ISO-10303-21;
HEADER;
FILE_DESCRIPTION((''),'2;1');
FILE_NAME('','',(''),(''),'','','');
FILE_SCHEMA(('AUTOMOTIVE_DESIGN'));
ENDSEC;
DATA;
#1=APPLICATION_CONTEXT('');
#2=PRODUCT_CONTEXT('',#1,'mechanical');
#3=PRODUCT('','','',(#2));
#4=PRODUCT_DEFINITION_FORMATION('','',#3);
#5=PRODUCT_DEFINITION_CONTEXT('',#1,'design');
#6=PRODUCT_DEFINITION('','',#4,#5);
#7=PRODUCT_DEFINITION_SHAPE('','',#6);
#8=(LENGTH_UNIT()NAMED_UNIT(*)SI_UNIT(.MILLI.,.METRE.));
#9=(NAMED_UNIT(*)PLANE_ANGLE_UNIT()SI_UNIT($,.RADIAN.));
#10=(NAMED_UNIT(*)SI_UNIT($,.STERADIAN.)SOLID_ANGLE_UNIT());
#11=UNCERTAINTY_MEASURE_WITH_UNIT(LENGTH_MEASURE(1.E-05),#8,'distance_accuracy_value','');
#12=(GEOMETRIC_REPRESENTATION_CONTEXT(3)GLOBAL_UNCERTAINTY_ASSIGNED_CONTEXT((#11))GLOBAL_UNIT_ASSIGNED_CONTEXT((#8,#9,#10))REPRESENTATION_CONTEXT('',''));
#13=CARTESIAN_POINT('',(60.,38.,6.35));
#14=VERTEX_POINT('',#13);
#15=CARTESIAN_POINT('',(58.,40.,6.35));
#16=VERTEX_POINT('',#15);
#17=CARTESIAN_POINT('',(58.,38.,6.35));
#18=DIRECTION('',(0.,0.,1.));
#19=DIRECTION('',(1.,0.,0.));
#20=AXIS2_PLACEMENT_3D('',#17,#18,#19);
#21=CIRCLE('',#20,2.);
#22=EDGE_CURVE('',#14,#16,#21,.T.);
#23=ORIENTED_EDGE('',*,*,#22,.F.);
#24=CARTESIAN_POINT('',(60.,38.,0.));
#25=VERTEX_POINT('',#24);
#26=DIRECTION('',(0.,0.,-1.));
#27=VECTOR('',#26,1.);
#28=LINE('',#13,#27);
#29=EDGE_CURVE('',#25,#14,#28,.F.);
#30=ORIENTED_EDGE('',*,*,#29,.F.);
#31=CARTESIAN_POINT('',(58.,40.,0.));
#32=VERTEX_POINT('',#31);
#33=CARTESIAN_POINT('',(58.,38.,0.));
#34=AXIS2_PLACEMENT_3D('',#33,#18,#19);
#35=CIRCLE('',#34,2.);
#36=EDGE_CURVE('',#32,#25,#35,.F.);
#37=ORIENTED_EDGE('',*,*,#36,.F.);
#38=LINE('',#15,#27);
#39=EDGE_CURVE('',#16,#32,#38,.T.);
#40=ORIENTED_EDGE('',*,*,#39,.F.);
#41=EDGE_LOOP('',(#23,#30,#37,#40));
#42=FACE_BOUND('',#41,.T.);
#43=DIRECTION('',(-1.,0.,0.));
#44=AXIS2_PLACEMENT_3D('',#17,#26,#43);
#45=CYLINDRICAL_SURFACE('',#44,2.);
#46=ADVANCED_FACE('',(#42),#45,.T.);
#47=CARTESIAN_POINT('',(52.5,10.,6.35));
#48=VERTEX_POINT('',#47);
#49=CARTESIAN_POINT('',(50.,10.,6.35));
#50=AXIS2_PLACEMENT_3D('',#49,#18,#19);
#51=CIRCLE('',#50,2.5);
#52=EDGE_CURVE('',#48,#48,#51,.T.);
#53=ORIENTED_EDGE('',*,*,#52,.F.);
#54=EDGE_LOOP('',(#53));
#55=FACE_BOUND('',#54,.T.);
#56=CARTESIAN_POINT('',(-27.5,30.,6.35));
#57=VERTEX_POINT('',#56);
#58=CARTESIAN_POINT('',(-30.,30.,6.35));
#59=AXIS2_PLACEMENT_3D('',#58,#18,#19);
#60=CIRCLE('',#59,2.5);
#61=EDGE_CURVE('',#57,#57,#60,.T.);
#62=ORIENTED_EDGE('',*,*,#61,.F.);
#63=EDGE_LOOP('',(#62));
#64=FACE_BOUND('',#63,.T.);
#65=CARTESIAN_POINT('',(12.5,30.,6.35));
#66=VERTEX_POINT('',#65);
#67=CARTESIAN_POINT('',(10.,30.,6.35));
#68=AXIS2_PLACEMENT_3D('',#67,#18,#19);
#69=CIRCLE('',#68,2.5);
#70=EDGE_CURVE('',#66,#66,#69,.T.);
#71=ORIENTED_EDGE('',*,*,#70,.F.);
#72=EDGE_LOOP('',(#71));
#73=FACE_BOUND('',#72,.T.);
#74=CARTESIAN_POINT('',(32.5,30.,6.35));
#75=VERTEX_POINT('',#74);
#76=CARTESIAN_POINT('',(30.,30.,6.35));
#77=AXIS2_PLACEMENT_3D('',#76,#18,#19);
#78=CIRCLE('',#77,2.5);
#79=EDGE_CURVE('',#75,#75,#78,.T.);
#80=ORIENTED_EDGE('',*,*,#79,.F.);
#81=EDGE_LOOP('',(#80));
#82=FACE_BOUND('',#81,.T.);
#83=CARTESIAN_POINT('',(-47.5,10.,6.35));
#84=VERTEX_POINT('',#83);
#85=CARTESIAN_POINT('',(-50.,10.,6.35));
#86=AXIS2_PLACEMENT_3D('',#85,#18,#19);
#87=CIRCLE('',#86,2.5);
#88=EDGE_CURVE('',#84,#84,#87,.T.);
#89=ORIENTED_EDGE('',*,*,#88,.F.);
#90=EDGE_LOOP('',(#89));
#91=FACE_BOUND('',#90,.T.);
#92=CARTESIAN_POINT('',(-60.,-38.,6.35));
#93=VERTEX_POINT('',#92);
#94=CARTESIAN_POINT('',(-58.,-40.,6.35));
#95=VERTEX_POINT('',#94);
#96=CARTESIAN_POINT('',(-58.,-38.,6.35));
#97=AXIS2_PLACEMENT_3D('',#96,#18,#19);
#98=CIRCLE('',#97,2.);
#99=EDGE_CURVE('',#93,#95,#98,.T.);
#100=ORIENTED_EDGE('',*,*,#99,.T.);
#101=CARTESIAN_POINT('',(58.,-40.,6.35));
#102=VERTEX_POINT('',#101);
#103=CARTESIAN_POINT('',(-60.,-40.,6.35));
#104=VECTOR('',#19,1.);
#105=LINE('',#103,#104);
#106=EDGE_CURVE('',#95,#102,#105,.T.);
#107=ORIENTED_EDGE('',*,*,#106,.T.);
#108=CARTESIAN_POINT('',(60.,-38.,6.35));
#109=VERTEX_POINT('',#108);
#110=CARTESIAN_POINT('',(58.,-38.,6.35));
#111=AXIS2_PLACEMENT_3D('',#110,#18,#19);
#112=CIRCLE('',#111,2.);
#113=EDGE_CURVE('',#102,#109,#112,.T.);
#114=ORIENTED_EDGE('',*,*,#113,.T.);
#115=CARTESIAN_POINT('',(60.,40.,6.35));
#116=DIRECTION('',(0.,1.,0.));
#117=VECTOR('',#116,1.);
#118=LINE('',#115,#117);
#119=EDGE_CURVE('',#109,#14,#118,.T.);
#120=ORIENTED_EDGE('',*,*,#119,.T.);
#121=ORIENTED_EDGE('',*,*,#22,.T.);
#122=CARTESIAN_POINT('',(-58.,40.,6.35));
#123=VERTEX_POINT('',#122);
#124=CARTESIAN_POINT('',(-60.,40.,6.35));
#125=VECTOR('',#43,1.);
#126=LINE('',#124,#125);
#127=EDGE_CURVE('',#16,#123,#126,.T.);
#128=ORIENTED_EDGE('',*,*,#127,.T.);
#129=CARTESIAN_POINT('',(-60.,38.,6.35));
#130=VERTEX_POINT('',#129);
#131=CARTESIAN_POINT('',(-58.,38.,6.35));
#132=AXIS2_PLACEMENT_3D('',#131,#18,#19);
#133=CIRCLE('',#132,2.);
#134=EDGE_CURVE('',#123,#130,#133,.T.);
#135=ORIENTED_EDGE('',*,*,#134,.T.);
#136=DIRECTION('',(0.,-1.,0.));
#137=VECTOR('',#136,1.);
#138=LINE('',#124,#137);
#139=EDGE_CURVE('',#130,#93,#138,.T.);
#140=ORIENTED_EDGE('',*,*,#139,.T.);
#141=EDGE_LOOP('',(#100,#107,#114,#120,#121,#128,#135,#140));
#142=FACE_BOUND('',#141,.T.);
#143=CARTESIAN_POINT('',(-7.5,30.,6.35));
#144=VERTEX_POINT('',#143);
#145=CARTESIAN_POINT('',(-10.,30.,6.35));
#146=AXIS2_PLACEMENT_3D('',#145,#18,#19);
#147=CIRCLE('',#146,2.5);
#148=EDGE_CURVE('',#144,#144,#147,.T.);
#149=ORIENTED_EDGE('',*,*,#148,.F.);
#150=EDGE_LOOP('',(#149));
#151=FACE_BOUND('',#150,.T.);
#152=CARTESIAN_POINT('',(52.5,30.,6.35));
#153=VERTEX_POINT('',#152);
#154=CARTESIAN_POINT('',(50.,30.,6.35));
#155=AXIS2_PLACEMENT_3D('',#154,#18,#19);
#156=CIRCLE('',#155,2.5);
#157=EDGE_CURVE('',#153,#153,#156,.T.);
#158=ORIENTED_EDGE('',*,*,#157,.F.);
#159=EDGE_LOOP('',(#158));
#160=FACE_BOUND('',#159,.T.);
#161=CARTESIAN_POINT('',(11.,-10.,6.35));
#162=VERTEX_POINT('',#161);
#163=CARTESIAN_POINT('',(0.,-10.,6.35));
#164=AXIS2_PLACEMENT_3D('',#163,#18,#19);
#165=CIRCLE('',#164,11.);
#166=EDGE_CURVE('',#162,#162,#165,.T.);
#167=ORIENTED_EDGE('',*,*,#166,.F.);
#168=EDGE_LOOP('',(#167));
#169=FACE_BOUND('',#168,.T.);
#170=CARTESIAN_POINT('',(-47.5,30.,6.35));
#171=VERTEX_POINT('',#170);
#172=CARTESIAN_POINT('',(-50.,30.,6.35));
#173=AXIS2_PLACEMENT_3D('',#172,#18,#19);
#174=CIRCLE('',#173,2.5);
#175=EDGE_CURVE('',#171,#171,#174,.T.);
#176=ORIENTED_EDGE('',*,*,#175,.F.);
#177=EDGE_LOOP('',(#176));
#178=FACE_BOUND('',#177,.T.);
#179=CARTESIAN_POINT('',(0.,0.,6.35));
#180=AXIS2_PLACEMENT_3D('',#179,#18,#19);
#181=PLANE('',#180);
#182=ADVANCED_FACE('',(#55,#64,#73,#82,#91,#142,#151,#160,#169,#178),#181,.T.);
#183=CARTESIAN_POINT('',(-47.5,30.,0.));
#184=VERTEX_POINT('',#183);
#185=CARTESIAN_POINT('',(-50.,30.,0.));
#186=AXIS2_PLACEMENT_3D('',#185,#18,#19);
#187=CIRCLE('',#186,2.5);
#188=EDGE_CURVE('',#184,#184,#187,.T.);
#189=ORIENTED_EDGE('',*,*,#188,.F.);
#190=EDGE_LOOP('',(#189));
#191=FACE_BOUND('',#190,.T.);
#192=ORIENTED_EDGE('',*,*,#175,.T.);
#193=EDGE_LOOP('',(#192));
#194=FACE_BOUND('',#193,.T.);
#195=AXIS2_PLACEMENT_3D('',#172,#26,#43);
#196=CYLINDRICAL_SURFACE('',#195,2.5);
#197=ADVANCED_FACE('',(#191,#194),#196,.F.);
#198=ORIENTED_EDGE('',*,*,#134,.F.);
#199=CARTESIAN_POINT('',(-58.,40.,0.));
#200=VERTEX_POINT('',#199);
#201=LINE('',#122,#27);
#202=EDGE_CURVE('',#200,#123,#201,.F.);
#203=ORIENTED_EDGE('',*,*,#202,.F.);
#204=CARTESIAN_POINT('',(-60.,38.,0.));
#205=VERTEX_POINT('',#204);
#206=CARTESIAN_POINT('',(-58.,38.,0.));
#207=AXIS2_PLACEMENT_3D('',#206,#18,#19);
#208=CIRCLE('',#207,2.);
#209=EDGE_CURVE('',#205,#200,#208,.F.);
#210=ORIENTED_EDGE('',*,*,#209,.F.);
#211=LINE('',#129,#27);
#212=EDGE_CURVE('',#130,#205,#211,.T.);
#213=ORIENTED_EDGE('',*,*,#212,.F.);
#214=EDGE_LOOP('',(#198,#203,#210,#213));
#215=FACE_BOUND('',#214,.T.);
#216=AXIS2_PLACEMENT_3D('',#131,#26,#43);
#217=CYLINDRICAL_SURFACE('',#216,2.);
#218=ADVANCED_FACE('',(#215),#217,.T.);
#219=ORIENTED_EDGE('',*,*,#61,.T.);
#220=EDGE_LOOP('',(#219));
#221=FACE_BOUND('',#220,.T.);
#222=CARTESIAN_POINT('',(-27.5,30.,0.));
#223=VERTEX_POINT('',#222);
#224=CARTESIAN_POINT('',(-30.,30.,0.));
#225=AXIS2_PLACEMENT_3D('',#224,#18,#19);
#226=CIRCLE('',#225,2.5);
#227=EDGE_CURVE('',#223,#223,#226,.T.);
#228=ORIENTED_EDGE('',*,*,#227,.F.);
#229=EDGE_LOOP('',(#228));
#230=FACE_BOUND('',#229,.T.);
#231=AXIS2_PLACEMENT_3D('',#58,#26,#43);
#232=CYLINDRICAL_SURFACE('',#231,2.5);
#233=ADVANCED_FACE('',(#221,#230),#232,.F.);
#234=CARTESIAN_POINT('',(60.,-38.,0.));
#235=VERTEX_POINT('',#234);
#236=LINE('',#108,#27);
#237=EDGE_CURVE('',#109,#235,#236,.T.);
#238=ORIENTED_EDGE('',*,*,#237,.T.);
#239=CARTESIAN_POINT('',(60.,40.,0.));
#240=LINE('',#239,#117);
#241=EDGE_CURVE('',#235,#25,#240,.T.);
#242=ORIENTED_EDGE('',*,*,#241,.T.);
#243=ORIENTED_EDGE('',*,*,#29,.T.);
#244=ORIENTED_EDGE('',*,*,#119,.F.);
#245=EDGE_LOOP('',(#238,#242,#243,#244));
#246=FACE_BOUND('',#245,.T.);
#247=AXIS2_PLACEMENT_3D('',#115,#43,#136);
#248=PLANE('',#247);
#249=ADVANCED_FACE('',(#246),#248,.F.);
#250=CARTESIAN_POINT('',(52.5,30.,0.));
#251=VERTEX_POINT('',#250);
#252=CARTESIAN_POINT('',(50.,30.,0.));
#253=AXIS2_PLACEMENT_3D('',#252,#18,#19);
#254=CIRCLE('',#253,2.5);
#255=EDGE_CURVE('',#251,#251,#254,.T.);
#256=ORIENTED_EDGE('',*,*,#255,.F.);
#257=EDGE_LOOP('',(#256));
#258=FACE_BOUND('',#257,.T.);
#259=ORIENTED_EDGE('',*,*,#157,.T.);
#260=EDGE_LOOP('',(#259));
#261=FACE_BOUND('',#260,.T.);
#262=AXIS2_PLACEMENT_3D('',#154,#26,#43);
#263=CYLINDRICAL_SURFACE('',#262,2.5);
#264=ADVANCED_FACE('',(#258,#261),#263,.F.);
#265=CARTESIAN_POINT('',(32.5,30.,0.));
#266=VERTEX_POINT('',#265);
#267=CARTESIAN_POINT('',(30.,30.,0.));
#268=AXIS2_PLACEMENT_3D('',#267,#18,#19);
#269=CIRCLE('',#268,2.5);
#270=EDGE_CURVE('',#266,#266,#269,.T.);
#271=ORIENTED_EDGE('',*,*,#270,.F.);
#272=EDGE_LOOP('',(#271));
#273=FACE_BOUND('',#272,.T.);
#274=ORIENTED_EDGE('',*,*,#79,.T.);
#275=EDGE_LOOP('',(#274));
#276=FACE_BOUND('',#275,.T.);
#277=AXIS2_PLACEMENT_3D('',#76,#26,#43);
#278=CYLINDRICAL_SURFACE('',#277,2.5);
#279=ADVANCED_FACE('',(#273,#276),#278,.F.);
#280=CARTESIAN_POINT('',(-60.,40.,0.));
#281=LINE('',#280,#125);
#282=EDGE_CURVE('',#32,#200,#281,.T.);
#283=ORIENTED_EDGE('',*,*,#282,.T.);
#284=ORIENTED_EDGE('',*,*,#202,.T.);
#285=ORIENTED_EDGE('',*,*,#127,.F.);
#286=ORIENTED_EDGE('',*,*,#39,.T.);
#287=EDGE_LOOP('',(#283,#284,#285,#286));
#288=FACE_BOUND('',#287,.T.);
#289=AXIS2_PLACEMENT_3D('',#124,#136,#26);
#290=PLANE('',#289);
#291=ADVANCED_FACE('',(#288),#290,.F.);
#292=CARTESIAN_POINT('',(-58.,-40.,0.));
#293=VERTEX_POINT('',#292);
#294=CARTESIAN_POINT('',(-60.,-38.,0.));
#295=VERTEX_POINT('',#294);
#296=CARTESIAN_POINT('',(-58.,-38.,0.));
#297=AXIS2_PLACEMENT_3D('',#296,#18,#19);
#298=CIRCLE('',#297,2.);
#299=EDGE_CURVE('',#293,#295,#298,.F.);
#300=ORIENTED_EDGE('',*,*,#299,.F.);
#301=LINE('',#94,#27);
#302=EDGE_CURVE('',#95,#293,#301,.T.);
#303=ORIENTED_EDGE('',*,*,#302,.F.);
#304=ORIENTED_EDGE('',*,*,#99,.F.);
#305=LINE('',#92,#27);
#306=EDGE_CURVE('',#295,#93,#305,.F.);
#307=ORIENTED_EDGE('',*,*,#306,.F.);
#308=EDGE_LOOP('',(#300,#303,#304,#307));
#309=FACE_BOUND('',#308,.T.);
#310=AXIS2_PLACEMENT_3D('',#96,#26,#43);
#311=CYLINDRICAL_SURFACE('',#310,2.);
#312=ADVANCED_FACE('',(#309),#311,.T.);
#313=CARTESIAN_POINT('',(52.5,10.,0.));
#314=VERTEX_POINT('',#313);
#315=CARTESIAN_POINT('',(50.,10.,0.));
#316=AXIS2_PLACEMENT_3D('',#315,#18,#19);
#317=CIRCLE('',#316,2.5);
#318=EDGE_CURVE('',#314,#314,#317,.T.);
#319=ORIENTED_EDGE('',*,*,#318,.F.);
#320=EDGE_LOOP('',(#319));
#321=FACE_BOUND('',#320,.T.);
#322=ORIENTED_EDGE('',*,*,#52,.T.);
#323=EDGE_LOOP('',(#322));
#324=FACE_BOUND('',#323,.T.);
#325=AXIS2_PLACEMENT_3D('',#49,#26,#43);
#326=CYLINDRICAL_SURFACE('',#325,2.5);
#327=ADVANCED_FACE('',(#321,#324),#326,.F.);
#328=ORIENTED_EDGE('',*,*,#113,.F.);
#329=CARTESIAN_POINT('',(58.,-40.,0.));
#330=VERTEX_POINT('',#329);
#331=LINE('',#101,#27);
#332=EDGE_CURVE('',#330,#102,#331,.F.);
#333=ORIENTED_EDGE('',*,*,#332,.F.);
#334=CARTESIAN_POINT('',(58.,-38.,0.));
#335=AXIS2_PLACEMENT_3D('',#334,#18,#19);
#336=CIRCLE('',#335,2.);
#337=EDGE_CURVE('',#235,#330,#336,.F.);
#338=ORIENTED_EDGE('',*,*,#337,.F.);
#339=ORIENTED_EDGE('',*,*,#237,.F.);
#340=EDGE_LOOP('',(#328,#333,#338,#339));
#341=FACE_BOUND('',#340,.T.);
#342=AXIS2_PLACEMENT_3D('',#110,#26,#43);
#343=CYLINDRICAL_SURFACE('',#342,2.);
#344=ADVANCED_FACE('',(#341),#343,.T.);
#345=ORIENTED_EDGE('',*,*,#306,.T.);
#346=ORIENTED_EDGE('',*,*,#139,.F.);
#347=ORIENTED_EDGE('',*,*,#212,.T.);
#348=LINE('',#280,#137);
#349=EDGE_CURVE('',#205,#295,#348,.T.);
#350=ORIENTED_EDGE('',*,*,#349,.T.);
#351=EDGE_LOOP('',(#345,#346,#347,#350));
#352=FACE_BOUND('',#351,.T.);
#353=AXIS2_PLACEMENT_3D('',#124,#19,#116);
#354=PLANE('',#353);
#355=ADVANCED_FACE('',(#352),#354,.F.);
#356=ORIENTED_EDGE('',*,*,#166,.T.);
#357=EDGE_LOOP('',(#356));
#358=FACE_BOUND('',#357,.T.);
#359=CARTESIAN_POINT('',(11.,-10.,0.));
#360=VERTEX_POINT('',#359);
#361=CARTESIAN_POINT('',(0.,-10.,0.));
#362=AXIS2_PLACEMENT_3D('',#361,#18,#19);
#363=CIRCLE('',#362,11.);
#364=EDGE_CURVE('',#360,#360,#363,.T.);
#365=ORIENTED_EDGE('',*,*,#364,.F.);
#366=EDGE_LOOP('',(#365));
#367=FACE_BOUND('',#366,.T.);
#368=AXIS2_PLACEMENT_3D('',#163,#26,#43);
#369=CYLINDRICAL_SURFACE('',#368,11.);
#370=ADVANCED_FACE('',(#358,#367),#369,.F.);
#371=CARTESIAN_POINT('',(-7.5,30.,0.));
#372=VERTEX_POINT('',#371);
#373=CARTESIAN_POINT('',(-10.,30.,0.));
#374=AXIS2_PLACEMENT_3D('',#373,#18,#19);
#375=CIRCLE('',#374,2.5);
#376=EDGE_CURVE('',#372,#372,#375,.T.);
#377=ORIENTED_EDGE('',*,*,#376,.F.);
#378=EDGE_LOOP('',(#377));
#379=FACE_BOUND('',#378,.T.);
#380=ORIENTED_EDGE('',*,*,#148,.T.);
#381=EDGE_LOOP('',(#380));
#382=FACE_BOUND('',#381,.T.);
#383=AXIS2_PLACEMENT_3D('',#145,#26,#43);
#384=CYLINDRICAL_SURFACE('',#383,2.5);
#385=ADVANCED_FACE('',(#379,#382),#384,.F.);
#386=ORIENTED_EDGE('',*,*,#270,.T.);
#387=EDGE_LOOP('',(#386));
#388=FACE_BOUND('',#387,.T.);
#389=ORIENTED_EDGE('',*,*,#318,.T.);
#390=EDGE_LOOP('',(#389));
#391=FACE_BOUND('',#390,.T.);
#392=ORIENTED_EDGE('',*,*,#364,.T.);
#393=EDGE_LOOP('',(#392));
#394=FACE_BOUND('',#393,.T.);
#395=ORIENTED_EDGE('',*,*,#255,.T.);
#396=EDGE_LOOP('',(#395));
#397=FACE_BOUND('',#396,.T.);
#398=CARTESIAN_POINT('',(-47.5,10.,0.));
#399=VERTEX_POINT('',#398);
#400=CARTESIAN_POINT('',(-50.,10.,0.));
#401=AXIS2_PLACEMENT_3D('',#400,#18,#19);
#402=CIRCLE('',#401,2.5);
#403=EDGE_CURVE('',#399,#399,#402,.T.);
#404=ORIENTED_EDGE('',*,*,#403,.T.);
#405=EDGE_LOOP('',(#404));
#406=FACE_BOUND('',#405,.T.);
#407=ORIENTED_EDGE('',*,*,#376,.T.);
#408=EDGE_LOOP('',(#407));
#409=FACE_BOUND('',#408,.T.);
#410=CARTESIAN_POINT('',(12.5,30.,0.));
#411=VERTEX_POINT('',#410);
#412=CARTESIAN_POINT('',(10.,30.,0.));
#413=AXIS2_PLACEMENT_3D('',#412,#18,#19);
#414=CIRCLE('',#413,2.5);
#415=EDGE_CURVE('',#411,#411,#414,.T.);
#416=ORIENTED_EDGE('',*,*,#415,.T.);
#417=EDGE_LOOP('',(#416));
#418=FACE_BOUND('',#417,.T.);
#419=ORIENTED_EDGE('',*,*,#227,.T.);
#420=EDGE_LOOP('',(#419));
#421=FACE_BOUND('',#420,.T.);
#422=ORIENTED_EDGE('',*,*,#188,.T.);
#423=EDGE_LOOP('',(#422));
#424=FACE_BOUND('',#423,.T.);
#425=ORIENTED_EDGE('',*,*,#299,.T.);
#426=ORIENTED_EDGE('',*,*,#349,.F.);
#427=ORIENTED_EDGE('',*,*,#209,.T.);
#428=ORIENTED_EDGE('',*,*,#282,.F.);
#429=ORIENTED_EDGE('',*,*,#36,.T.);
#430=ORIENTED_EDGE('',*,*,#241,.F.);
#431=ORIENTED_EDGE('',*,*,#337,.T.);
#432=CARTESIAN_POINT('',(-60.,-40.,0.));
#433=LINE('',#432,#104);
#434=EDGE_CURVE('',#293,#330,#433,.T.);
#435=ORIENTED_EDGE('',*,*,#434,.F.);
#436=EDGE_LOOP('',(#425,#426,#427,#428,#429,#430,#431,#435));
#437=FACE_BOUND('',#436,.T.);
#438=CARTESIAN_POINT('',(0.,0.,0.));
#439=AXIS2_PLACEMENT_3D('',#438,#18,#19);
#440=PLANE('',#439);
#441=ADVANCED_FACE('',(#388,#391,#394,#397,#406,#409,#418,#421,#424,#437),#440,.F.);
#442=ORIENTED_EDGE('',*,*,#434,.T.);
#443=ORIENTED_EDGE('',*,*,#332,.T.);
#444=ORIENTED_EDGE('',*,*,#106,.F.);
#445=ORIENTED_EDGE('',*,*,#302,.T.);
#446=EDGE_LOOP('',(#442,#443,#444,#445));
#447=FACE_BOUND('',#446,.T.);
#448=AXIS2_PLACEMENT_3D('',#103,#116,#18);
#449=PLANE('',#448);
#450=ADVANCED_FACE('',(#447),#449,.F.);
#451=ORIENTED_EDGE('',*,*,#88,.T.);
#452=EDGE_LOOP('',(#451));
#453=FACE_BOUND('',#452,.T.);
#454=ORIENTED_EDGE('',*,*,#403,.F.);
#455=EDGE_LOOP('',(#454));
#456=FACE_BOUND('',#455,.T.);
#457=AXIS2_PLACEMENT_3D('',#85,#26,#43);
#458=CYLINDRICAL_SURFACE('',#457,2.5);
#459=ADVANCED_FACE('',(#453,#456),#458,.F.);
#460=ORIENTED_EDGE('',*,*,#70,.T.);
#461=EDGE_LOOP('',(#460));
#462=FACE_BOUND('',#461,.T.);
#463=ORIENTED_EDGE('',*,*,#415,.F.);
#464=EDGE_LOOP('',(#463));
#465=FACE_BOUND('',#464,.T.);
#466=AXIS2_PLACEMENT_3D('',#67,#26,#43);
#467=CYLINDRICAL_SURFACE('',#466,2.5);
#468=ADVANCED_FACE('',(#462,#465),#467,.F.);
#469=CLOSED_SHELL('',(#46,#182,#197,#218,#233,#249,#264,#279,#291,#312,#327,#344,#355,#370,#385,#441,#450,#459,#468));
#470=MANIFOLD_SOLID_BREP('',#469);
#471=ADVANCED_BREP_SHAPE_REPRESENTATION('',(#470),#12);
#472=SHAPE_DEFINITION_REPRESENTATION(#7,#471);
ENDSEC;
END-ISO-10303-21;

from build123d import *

# Parameters (mm, degrees)
SKETCH1_W           = 120
SKETCH1_H           = 80
SKETCH1_R           = 2.5
SKETCH1_R_2         = 11
BOSS_EXTRUDE1_DEPTH = 6.35
FILLET1_R           = 2


with BuildPart() as part:
    # Sketch1 → Boss-Extrude1 (new body)
    with BuildSketch(Plane.XY):
        Rectangle(SKETCH1_W, SKETCH1_H)
        with Locations((-50, 30)):
            Circle(SKETCH1_R, mode=Mode.SUBTRACT)
        with Locations((-30, 30)):
            Circle(SKETCH1_R, mode=Mode.SUBTRACT)
        with Locations((-10, 30)):
            Circle(SKETCH1_R, mode=Mode.SUBTRACT)
        with Locations((10, 30)):
            Circle(SKETCH1_R, mode=Mode.SUBTRACT)
        with Locations((30, 30)):
            Circle(SKETCH1_R, mode=Mode.SUBTRACT)
        with Locations((50, 30)):
            Circle(SKETCH1_R, mode=Mode.SUBTRACT)
        with Locations((-50, 10)):
            Circle(SKETCH1_R, mode=Mode.SUBTRACT)
        with Locations((50, 10)):
            Circle(SKETCH1_R, mode=Mode.SUBTRACT)
        with Locations((0, -10)):
            Circle(SKETCH1_R_2, mode=Mode.SUBTRACT)
    extrude(amount=BOSS_EXTRUDE1_DEPTH)

    # Fillet1
    fillet1_edges = [part.edges().sort_by_distance(p)[0] for p in [
        (60, -40, 3.175),
        (-60, -40, 3.175),
        (-60, 40, 3.175),
        (60, 40, 3.175),
    ]]
    fillet(fillet1_edges, radius=FILLET1_R)


solid = part.part
